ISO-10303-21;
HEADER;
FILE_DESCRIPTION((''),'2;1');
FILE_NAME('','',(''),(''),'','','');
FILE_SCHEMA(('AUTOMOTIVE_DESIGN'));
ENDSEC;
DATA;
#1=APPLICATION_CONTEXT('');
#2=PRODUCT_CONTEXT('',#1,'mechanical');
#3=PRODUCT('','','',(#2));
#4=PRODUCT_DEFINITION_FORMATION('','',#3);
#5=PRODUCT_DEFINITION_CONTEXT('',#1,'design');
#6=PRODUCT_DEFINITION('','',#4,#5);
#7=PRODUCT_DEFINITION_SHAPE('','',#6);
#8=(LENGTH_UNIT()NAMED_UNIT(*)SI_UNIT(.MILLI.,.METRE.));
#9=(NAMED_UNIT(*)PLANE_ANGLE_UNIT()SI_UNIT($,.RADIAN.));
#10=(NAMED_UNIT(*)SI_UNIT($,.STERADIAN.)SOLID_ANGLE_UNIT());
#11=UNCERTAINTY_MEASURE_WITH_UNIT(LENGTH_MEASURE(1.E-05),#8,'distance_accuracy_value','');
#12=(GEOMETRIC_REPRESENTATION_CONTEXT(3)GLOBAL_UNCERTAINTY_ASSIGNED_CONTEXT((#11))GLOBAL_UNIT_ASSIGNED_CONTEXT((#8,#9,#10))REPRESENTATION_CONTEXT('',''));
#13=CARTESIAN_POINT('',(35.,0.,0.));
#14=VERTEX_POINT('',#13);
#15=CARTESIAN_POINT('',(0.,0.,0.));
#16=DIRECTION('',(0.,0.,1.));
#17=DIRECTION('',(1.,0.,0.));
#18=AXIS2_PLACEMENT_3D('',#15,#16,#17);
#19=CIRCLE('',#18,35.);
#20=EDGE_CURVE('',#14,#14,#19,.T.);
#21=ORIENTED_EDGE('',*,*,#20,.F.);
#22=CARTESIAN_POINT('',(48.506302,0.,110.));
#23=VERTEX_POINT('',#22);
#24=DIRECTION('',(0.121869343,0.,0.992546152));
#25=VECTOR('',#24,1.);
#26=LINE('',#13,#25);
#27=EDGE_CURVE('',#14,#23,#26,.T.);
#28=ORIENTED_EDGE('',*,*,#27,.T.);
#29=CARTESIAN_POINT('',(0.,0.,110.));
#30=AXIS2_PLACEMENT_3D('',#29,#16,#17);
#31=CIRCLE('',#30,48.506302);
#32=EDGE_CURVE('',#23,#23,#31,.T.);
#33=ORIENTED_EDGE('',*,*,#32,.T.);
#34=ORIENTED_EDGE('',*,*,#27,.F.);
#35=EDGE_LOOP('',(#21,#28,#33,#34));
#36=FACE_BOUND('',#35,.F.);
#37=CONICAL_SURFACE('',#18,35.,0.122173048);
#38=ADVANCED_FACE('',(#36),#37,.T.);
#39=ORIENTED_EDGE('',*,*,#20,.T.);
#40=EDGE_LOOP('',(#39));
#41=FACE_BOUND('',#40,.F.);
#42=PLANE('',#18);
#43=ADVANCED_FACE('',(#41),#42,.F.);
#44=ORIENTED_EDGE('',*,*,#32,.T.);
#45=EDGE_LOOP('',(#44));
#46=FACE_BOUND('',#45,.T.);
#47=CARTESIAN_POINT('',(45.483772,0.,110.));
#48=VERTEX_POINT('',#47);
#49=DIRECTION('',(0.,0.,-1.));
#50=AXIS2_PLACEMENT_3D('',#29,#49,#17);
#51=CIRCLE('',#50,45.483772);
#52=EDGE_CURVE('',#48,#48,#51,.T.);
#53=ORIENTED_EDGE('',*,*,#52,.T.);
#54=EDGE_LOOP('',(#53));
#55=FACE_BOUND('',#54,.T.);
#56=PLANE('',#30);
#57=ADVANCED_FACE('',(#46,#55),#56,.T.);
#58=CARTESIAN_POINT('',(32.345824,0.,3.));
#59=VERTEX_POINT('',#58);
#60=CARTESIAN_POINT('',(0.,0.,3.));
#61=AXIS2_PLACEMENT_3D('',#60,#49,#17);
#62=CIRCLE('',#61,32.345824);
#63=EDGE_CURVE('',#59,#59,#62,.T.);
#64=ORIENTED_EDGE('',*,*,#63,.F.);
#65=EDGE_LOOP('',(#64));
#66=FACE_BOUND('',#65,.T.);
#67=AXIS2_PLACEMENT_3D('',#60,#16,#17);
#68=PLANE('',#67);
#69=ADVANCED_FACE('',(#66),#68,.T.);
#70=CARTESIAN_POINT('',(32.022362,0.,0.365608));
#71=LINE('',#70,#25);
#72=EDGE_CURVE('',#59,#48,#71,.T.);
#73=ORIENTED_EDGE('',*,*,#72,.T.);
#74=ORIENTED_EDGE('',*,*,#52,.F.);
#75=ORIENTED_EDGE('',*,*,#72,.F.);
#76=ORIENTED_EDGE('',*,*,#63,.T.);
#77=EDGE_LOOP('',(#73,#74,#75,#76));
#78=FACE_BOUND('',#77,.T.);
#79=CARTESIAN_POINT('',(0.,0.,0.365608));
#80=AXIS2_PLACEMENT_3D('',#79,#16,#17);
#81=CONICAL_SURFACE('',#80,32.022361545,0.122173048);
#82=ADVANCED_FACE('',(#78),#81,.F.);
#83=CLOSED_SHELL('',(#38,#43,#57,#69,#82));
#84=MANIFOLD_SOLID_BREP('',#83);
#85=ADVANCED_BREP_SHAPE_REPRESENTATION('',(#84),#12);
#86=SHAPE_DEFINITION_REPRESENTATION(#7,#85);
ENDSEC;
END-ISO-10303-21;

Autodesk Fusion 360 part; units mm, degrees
sketch "스케치1" plane through (0, 0, 0) normal (0, 0, 1) x (1, 0, 0)
  circle A0 centre (0, 0) radius 35
  dimension "d1" = 70
extrude "돌출1" add sketch "스케치1" along normal blind 110 draft 7
shell "쉘1" thickness 3 removed faces 1 at (-14.0298, 0.1603, 110)
